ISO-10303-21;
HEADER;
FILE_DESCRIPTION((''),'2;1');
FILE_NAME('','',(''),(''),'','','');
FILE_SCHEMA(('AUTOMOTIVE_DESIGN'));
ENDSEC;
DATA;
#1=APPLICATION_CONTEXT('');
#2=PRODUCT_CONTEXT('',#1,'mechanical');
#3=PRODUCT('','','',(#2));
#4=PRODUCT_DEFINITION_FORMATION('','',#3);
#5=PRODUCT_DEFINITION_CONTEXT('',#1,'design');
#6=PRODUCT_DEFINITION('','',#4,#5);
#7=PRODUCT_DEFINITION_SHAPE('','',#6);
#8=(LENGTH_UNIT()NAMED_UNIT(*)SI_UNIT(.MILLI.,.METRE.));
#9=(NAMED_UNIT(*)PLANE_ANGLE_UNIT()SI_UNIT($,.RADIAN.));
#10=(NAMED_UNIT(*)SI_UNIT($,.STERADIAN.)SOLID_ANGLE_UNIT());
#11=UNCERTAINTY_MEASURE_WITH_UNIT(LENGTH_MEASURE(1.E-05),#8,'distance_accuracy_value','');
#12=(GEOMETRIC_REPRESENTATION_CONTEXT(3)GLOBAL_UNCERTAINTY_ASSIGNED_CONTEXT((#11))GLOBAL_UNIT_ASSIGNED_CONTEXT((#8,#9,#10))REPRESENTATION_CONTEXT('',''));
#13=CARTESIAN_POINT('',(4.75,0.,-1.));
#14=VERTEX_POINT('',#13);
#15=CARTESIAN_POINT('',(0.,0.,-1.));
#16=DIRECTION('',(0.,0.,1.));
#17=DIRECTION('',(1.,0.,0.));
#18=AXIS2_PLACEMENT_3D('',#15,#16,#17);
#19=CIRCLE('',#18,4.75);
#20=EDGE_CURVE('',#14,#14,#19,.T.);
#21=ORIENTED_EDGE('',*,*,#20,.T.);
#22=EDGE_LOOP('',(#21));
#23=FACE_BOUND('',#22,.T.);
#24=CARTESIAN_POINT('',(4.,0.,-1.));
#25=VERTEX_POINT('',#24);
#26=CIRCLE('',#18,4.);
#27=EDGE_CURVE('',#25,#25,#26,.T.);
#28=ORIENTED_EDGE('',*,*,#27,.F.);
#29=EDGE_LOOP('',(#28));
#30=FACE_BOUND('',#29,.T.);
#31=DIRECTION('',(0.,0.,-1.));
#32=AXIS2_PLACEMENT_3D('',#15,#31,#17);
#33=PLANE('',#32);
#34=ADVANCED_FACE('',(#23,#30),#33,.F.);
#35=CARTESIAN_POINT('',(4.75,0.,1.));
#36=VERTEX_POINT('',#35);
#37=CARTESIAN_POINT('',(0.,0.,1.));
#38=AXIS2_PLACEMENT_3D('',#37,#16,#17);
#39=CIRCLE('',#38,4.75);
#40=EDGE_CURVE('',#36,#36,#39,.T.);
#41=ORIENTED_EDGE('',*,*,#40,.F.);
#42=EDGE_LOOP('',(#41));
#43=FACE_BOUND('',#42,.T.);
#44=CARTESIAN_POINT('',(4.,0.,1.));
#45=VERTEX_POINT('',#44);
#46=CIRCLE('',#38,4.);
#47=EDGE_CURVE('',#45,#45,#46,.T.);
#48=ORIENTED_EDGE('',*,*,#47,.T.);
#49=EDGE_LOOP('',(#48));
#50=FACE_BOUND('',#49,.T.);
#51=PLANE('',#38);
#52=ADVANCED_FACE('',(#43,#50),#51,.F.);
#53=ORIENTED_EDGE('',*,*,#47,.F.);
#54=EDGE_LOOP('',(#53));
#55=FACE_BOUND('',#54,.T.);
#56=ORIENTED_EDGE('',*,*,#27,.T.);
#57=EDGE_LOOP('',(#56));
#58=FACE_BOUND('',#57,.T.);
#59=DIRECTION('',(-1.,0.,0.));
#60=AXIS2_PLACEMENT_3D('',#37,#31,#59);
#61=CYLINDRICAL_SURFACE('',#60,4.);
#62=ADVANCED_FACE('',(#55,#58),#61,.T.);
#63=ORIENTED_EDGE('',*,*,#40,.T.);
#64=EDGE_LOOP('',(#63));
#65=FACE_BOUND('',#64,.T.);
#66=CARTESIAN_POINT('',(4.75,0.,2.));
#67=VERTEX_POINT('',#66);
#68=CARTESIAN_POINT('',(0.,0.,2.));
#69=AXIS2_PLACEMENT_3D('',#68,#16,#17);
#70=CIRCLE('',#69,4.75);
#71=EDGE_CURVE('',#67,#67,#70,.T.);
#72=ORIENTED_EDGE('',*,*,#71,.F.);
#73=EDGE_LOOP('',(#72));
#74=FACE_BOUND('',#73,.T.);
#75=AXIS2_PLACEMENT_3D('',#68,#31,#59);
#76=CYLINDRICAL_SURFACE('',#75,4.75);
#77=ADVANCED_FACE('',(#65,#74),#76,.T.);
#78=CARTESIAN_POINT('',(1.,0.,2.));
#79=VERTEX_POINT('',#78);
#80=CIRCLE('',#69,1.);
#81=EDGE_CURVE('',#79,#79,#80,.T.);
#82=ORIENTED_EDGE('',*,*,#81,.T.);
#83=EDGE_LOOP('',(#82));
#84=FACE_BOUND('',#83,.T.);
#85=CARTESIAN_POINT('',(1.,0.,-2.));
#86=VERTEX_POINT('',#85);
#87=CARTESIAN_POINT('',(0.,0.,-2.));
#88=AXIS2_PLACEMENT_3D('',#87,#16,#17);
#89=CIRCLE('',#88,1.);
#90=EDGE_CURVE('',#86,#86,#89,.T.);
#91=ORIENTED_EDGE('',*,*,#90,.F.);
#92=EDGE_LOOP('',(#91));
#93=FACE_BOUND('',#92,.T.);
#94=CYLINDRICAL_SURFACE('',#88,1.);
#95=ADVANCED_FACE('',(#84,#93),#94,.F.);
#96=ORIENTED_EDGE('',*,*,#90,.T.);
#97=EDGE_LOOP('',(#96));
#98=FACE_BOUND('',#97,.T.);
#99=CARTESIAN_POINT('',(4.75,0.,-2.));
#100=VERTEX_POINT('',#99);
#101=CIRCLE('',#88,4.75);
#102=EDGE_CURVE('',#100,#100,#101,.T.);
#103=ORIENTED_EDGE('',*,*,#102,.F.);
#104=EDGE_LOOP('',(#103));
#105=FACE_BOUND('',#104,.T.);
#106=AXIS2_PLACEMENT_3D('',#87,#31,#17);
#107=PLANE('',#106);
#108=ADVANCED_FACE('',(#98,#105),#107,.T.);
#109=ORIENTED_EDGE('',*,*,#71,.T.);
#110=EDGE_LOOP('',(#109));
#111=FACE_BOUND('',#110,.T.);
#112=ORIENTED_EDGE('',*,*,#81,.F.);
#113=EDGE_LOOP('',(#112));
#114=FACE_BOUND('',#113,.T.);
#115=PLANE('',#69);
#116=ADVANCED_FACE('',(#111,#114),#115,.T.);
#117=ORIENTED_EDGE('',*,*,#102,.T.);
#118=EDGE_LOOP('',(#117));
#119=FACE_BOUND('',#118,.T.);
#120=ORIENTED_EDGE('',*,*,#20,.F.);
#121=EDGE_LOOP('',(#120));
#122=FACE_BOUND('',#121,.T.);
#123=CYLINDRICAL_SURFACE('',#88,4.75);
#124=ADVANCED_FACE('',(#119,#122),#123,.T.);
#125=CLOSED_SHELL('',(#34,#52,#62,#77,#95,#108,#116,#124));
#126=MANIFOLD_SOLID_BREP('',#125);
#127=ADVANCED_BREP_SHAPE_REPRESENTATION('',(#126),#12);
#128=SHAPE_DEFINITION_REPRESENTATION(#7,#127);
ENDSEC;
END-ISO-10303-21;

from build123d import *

# Parameters (mm, degrees)
SKETCH1_R           = 4
BOSS_EXTRUDE1_DEPTH = 1
SKETCH3_R           = 4.75
BOSS_EXTRUDE3_DEPTH = 1
SKETCH4_R           = 1
CUT_EXTRUDE1_DEPTH  = 8.818247886


with BuildPart() as part:
    # Sketch1 → Boss-Extrude1 (new, symmetric)
    with BuildSketch(Plane.XY):
        Circle(SKETCH1_R)
    extrude(amount=BOSS_EXTRUDE1_DEPTH, both=True)

    # Sketch3 → Boss-Extrude3 (add)
    with BuildSketch(Plane.XY.offset(1)):
        Circle(SKETCH3_R)
    boss_extrude3 = extrude(amount=BOSS_EXTRUDE3_DEPTH)

    # Mirror1: Boss-Extrude3 across plane
    add(boss_extrude3.mirror(Plane.XY))

    # Sketch4 → Cut-Extrude1 (cut, through all)
    with BuildSketch(Plane.XY.offset(2)):
        Circle(SKETCH4_R)
    extrude(amount=-CUT_EXTRUDE1_DEPTH, mode=Mode.SUBTRACT)


solid = part.part
